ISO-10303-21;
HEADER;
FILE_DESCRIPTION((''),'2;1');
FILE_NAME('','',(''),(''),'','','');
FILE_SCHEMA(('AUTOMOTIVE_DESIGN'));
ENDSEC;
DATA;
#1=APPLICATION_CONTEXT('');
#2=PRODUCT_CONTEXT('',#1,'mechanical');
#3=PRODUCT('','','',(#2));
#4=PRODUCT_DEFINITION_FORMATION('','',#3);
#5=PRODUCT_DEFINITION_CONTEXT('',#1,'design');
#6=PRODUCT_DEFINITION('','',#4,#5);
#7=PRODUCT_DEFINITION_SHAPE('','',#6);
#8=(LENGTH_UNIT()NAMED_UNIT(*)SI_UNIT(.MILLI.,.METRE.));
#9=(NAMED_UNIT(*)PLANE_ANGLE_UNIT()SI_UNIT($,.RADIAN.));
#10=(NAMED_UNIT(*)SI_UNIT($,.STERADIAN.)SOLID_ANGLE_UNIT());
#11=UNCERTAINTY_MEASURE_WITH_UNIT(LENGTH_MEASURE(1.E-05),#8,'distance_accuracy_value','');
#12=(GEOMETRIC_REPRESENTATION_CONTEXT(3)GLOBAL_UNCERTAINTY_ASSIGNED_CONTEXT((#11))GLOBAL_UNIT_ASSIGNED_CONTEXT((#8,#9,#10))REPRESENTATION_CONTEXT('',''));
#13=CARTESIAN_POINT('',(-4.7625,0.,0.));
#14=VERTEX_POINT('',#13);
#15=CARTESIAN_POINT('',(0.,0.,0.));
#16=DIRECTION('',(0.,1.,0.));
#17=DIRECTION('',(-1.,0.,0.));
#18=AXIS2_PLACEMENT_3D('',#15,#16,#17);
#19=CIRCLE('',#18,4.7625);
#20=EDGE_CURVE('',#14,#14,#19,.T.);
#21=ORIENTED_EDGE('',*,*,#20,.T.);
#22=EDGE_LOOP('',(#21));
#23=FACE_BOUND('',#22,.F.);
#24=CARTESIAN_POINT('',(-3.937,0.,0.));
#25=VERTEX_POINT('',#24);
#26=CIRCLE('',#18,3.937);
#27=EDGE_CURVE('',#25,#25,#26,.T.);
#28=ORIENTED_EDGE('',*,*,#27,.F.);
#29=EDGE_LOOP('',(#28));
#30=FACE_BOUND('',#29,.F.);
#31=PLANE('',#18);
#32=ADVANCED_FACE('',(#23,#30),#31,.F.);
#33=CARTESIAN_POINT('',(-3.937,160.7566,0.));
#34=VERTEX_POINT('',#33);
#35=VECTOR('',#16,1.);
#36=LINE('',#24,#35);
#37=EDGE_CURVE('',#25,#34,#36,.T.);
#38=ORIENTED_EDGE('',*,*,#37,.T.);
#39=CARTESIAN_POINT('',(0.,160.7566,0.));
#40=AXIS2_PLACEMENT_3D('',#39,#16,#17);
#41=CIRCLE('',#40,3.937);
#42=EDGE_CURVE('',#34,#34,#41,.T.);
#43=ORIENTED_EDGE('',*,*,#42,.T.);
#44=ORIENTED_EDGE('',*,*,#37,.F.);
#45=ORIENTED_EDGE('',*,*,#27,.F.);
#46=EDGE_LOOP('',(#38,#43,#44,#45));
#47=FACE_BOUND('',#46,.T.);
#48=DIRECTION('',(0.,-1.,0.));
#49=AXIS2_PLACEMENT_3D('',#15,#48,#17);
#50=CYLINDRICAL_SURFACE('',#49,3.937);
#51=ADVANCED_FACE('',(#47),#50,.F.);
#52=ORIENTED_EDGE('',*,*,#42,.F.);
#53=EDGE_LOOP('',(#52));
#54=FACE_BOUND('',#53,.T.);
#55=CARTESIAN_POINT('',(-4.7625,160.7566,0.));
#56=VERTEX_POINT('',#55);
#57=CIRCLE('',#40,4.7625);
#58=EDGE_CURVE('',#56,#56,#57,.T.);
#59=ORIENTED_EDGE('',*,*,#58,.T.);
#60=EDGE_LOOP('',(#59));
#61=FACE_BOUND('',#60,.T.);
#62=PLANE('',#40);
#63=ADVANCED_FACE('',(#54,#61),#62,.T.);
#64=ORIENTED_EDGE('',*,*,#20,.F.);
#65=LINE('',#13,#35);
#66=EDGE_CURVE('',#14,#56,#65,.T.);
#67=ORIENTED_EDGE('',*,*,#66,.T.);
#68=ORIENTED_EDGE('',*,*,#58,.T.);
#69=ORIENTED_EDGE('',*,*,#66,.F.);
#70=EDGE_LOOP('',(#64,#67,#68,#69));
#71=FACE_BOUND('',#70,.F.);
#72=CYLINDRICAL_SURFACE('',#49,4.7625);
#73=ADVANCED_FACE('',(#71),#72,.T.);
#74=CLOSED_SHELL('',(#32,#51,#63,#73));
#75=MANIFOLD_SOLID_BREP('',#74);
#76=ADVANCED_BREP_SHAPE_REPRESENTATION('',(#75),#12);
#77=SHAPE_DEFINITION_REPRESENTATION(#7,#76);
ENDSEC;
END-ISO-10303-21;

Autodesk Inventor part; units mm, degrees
ref_plane "YZ Plane" through (0, 0, 0) normal (1, 0, 0) x (0, 1, 0)
ref_plane "XZ Plane" through (0, 0, 0) normal (0, 1, 0) x (-1, 0, 0)
ref_plane "XY Plane" through (0, 0, 0) normal (0, 0, 1) x (1, 0, 0)
sketch "Sketch1" plane through (0, 0, 0) normal (0, 1, 0) x (-1, 0, 0)
  circle A0 centre (0, 0) radius 4.7625
  circle A1 centre (0, 0) radius 3.937
  dimension "d0" = 9.525
  dimension "d1" = 7.874
extrude "Extrusion1" add sketch "Sketch1" along normal blind 160.7566
properties part number "feet type 2 part 2" material "Fiber Glass"
